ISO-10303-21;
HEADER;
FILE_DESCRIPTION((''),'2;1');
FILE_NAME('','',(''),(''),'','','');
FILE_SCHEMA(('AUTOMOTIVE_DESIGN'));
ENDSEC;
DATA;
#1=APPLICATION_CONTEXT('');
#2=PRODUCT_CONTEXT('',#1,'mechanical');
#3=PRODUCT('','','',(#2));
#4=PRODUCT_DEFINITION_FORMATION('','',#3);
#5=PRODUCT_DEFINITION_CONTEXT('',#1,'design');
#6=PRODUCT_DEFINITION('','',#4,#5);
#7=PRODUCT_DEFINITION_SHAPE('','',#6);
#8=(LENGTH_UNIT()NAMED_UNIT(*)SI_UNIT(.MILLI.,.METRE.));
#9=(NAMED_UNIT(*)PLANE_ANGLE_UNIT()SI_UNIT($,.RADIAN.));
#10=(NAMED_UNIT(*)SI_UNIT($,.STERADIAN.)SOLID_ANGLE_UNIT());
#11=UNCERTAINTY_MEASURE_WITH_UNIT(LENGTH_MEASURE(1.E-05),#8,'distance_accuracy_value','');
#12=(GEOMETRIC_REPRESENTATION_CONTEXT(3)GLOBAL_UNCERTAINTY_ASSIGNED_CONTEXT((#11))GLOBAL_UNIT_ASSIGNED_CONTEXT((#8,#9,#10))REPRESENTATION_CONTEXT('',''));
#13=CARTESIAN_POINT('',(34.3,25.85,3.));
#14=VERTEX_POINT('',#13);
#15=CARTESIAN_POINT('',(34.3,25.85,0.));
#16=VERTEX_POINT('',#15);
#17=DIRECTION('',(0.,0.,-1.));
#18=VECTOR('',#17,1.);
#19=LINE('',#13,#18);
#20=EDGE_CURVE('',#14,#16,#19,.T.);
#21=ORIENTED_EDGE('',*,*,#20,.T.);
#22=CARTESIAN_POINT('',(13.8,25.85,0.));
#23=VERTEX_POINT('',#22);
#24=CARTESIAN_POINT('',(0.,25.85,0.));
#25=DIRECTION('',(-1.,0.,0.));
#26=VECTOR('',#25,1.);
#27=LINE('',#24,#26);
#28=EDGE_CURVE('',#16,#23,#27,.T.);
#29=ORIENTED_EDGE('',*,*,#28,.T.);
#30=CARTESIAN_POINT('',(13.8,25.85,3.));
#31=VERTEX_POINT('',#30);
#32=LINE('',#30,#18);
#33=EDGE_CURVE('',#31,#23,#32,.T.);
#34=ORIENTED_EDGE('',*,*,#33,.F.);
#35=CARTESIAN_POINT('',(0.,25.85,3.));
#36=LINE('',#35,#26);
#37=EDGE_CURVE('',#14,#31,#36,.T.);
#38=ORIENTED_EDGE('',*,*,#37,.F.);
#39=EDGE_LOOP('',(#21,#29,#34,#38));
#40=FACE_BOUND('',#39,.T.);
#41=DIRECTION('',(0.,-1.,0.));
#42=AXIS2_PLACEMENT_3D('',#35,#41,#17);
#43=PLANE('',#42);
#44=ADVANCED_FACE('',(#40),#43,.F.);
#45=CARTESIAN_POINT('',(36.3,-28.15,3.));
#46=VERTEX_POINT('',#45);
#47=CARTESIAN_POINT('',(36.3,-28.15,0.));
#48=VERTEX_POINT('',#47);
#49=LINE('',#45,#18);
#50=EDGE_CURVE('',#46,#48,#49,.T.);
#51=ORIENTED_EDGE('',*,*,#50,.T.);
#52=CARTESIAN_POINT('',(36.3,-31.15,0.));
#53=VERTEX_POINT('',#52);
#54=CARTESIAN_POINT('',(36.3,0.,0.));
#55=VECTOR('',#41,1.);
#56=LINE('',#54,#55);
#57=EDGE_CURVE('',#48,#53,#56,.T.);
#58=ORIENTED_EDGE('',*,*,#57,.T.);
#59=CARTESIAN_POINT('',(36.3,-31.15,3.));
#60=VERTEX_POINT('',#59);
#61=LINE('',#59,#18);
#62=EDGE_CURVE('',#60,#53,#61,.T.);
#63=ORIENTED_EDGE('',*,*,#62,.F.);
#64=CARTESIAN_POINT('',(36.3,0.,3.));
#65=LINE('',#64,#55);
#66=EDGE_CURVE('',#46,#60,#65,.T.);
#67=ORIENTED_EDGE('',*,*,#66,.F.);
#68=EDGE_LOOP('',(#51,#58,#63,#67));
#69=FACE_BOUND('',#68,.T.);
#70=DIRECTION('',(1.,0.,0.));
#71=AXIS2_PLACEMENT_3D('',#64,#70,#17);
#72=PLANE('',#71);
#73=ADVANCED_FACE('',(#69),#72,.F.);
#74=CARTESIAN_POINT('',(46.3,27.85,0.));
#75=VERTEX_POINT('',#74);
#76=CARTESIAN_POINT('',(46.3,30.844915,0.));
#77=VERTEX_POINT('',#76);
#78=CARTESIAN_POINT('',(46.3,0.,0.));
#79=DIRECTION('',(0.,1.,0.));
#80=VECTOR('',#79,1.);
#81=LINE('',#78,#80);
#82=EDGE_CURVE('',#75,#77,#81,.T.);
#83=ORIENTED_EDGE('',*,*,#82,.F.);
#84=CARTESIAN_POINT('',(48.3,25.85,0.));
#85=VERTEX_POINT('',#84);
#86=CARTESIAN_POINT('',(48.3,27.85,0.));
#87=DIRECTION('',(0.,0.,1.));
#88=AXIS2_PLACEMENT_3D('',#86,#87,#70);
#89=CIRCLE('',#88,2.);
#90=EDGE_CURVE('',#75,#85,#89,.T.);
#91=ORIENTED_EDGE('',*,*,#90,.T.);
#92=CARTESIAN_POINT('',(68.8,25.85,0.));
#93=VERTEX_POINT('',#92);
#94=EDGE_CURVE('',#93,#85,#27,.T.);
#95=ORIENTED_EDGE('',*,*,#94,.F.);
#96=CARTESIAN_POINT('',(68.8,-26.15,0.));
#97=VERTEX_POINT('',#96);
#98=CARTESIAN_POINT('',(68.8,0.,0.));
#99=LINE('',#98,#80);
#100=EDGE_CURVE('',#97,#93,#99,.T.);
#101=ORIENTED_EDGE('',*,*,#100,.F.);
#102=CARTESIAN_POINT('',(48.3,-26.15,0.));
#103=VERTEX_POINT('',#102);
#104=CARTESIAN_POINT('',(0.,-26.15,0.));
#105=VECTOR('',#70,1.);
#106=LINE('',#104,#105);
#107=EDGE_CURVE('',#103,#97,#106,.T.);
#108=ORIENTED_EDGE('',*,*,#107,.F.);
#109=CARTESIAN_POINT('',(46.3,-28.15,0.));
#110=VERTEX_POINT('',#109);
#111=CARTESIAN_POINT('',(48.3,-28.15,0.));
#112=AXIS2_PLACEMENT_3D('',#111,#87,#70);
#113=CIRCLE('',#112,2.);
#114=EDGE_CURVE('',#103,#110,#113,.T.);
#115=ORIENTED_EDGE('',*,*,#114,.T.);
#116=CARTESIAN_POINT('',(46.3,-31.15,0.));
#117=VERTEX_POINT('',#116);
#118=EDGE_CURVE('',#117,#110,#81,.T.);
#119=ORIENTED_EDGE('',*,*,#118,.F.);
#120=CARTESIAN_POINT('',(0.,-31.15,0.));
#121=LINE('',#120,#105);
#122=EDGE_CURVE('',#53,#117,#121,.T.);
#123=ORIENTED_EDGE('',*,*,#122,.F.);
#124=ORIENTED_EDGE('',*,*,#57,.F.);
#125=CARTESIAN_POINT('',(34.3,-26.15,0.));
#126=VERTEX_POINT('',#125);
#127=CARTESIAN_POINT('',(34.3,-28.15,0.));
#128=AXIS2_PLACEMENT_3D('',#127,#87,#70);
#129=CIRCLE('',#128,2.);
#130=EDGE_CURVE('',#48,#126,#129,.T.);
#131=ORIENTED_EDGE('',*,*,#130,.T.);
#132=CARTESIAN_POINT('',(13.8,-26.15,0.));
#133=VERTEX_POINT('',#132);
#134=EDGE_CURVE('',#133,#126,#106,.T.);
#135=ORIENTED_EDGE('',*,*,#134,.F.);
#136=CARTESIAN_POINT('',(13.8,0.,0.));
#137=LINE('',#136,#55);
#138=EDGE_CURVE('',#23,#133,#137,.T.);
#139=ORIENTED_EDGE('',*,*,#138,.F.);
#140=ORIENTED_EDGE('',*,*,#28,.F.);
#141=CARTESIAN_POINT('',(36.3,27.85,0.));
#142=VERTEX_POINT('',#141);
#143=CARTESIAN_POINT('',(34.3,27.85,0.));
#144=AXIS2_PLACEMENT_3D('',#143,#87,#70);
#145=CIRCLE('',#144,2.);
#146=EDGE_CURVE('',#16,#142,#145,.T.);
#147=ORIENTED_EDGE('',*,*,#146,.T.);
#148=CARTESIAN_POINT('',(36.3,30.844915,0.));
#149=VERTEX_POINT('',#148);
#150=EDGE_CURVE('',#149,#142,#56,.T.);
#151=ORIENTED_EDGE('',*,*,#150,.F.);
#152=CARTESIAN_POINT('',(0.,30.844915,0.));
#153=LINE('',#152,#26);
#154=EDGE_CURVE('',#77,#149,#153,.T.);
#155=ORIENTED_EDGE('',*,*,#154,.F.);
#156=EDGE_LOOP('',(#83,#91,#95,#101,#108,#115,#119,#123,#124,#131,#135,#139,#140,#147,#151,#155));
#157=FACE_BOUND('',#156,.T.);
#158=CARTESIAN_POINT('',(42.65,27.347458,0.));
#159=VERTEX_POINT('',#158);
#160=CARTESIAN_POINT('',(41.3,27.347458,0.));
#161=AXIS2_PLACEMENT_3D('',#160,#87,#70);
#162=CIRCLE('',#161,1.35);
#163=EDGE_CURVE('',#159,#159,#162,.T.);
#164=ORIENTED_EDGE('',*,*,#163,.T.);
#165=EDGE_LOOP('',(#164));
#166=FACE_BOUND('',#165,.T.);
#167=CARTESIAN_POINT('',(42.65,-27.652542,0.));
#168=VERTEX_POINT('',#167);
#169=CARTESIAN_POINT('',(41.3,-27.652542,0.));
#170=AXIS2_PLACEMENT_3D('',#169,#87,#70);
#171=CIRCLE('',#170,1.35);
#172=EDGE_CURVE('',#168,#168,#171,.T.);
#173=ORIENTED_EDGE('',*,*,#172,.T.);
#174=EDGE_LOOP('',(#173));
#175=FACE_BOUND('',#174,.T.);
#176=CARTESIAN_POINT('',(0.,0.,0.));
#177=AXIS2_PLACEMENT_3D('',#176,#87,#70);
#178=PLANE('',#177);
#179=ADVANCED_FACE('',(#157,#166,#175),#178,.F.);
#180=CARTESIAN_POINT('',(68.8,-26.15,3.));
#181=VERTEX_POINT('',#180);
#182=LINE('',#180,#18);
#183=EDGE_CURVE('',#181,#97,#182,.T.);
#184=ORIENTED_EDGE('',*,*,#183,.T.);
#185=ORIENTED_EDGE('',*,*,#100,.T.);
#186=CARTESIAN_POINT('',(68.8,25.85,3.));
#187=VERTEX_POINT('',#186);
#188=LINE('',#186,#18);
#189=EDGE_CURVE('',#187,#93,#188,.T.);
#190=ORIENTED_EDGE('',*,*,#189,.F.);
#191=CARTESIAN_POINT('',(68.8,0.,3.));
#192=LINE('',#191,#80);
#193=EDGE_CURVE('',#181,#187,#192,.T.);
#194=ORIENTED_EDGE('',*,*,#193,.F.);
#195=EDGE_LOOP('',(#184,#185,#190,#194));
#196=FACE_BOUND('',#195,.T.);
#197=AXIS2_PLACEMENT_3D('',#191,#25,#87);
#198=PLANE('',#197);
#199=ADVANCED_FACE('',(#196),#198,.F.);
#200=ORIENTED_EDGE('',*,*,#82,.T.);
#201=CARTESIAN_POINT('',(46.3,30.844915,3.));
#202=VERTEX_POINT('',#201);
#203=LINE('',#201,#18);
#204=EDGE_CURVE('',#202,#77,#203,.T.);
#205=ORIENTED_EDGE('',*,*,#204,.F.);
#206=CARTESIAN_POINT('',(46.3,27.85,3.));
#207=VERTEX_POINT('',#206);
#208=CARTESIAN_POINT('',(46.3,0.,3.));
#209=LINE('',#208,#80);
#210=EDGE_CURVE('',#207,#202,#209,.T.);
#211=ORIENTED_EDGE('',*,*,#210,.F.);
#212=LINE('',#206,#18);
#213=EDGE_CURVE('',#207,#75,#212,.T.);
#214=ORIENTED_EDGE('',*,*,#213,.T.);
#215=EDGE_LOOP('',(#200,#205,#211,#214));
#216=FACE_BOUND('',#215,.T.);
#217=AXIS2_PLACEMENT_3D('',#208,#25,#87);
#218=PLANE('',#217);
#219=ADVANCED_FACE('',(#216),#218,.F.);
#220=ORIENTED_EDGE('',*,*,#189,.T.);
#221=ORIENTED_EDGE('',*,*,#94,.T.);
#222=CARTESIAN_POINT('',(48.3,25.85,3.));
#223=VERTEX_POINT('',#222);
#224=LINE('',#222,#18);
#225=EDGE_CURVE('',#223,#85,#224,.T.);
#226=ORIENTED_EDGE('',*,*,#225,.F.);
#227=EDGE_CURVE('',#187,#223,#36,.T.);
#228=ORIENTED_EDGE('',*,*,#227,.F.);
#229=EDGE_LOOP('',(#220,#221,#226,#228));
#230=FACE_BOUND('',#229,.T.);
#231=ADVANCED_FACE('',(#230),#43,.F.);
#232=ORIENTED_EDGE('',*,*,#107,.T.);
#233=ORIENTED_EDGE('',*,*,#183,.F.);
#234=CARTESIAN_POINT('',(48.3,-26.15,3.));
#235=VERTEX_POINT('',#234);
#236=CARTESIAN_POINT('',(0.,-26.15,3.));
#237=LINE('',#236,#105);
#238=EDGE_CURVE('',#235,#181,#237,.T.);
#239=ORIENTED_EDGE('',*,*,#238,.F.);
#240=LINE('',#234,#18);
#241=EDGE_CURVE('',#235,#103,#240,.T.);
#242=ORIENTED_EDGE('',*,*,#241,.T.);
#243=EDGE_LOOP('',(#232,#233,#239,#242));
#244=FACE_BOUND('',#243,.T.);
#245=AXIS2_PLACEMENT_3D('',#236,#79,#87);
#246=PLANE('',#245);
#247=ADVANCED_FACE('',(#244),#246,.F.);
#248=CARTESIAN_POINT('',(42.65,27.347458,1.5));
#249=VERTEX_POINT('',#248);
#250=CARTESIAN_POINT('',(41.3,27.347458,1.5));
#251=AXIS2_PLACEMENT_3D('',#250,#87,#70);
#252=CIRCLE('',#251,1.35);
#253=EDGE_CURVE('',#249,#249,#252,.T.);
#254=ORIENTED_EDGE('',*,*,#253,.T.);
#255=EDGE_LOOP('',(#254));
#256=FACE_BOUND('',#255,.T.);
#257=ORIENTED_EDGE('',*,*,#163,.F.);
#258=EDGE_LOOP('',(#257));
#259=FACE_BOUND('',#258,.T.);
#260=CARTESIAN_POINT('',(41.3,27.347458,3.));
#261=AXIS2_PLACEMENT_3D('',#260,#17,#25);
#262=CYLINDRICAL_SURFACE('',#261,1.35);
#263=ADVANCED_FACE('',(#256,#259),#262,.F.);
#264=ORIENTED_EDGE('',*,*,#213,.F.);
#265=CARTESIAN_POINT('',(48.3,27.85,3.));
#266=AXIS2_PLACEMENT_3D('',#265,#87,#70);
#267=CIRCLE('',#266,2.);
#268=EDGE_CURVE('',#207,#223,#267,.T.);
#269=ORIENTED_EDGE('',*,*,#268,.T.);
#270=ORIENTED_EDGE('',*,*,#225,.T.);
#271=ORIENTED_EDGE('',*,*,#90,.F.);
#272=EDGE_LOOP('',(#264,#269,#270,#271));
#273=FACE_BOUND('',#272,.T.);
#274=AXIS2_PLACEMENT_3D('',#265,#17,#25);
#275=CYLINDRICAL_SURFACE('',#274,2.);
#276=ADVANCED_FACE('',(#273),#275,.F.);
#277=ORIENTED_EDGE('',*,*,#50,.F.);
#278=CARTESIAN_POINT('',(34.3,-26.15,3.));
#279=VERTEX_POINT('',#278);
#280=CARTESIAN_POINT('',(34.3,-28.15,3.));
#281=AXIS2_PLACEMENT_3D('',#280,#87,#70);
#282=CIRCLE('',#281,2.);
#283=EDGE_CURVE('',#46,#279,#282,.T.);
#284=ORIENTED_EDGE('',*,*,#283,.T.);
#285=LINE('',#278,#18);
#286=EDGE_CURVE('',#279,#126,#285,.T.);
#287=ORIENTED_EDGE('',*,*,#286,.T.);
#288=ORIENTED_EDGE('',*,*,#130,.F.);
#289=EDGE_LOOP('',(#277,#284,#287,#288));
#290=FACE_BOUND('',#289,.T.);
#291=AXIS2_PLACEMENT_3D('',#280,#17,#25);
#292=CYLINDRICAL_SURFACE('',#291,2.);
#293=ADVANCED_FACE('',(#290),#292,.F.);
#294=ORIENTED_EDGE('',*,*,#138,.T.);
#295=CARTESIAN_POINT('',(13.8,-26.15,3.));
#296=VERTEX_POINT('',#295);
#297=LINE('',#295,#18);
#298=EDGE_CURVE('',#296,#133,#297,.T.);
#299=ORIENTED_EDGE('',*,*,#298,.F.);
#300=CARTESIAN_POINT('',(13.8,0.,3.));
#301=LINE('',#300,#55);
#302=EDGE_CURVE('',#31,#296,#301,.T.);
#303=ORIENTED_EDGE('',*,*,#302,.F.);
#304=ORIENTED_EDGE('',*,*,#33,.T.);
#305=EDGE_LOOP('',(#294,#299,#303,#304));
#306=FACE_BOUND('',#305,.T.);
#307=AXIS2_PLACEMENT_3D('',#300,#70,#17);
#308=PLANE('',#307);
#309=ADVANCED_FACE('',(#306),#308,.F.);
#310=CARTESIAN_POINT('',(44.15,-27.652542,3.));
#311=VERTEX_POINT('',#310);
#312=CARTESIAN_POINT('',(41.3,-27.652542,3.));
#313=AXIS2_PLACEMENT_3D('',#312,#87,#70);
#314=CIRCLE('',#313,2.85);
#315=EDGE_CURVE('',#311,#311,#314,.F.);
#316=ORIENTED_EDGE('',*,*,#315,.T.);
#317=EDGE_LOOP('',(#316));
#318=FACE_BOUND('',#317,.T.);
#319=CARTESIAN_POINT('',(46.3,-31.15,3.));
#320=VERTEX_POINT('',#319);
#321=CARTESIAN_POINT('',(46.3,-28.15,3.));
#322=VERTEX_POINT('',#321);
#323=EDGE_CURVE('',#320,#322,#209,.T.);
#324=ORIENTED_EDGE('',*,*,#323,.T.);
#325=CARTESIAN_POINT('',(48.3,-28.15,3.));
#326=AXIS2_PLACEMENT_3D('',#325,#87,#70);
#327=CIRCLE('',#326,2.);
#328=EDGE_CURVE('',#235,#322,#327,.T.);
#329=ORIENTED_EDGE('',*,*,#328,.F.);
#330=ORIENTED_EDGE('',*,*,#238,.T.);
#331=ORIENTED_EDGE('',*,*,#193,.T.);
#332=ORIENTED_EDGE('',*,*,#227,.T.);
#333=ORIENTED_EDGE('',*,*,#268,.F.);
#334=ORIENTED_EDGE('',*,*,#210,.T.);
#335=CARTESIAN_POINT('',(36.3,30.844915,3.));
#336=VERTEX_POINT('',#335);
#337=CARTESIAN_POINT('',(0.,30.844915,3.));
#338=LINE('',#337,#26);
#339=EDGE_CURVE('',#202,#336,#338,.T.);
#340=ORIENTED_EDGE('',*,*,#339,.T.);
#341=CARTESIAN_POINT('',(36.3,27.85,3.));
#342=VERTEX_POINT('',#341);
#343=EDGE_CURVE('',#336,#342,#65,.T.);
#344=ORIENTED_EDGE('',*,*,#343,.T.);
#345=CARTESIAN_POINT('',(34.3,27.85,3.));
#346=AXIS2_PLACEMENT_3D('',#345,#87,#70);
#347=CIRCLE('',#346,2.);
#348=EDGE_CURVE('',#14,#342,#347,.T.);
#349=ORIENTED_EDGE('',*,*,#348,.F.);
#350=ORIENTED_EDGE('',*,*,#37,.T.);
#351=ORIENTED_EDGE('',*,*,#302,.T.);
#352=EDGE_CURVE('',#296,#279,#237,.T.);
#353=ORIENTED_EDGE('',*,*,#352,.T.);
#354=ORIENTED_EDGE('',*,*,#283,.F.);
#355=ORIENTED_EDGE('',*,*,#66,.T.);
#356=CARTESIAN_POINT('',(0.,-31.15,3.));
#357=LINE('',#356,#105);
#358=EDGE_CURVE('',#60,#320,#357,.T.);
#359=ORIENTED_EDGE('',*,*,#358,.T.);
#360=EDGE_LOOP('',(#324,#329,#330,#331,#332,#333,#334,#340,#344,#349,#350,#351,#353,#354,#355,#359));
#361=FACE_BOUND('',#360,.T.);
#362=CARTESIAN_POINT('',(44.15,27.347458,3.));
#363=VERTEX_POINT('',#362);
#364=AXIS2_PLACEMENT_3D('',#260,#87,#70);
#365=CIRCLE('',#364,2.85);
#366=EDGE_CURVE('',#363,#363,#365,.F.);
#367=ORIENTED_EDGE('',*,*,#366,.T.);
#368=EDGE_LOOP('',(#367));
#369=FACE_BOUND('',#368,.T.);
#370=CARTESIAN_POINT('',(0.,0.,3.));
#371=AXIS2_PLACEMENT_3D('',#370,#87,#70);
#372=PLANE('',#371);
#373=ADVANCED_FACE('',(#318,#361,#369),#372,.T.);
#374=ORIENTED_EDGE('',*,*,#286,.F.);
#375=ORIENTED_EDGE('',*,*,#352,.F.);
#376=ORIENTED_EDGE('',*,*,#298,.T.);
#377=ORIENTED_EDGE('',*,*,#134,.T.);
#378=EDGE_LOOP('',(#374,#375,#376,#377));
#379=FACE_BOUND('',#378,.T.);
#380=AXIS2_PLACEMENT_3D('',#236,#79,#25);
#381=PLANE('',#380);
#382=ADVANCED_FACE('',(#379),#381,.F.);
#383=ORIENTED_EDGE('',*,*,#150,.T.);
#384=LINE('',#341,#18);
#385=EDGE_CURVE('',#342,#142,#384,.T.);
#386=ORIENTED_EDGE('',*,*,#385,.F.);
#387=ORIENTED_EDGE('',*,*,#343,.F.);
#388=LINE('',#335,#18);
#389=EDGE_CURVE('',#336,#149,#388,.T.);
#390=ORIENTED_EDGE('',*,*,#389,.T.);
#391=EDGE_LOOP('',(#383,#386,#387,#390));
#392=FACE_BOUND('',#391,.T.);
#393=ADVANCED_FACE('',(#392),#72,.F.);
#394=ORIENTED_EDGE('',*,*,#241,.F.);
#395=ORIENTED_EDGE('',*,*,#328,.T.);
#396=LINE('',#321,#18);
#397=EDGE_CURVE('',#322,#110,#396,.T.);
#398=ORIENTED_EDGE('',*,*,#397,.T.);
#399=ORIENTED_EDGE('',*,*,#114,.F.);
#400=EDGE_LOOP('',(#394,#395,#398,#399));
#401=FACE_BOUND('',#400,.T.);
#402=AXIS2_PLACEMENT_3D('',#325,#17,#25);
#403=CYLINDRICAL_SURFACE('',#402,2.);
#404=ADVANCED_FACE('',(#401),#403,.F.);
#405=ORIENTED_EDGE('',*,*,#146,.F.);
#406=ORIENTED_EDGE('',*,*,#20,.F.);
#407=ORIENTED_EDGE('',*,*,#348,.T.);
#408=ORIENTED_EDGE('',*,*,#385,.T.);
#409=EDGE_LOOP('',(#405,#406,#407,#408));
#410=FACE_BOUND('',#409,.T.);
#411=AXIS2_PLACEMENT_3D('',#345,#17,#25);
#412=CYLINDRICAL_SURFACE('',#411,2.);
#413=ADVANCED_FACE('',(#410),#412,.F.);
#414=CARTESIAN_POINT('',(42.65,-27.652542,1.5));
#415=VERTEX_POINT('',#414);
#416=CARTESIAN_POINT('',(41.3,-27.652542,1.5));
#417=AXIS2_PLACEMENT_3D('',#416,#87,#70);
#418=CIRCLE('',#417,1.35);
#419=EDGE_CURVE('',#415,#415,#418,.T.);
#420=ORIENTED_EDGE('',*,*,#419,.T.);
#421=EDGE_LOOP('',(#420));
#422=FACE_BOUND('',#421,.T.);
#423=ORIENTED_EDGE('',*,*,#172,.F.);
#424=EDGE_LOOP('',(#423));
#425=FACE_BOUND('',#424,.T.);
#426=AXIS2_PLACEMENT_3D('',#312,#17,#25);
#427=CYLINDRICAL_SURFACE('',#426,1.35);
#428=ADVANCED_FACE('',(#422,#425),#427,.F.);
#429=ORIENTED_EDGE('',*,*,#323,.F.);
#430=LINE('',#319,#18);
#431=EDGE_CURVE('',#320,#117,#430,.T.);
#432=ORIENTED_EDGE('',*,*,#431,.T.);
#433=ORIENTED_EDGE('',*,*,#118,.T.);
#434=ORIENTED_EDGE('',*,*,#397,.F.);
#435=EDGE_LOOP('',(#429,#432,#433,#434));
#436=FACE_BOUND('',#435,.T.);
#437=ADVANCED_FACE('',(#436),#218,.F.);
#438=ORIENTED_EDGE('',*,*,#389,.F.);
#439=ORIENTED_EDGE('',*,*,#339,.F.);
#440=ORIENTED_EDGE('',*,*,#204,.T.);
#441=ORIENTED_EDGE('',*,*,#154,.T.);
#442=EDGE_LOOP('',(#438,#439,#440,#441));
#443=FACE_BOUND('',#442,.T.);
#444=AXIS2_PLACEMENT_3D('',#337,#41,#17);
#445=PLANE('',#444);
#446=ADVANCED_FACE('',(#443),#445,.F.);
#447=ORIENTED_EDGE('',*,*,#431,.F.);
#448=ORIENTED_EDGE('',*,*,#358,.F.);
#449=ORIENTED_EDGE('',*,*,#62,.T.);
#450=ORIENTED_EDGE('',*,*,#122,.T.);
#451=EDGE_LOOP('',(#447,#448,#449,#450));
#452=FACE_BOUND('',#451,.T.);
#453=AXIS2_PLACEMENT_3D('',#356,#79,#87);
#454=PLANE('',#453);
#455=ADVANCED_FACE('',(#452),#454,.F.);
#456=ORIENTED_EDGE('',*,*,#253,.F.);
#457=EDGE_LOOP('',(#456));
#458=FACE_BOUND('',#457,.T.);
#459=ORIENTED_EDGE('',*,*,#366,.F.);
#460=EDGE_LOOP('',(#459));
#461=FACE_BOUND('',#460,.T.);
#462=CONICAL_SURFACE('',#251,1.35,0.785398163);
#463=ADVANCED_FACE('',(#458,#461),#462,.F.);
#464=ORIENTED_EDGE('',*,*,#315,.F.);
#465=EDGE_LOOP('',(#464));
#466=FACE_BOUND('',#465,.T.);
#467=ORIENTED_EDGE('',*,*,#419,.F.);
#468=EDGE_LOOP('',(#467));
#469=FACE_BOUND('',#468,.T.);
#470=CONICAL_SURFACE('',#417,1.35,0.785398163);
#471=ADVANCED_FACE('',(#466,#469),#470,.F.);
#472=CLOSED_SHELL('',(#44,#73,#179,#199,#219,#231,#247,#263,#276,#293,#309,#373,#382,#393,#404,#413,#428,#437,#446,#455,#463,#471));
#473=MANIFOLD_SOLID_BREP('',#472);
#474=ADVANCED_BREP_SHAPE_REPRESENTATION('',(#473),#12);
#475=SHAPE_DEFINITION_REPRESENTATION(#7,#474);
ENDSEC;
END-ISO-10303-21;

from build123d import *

# Parameters (mm, degrees)
SKETCH_1_R      = 1.35
EXTRUDE_1_DEPTH = 3
CHAMFER_1_SIZE  = 1.5


with BuildPart() as part:
    # Эскиз1 → Бобышка-Вытянуть1 (new body)
    with BuildSketch(Plane.XY):
        with BuildLine():
            Line((68.8, 25.85), (48.3, 25.85))
            ThreePointArc((48.3, 25.85), (46.885786438, 26.435786438), (46.3, 27.85))
            Line((46.3, 27.85), (46.3, 30.84491535))
            Line((46.3, 30.84491535), (36.3, 30.84491535))
            Line((36.3, 30.84491535), (36.3, 27.85))
            ThreePointArc((36.3, 27.85), (35.714213562, 26.435786438), (34.3, 25.85))
            Line((34.3, 25.85), (13.8, 25.85))
            Line((13.8, 25.85), (13.8, -26.15))
            Line((13.8, -26.15), (34.3, -26.15))
            ThreePointArc((34.3, -26.15), (35.714213562, -26.735786438), (36.3, -28.15))
            Line((36.3, -28.15), (36.3, -31.15))
            Line((36.3, -31.15), (46.3, -31.15))
            Line((46.3, -31.15), (46.3, -28.15))
            ThreePointArc((46.3, -28.15), (46.885786438, -26.735786438), (48.3, -26.15))
            Line((48.3, -26.15), (68.8, -26.15))
            Line((68.8, -26.15), (68.8, 25.85))
        make_face()
        with Locations((41.3, 27.347457675)):
            Circle(SKETCH_1_R, mode=Mode.SUBTRACT)
        with Locations((41.3, -27.652542325)):
            Circle(SKETCH_1_R, mode=Mode.SUBTRACT)
    extrude(amount=EXTRUDE_1_DEPTH)

    # Фаска1
    chamfer_1_edges = [part.edges().sort_by_distance(p)[0] for p in [
        (39.95, -27.652542325, 3),
        (39.95, 27.347457675, 3),
    ]]
    chamfer(chamfer_1_edges, length=CHAMFER_1_SIZE)


solid = part.part
